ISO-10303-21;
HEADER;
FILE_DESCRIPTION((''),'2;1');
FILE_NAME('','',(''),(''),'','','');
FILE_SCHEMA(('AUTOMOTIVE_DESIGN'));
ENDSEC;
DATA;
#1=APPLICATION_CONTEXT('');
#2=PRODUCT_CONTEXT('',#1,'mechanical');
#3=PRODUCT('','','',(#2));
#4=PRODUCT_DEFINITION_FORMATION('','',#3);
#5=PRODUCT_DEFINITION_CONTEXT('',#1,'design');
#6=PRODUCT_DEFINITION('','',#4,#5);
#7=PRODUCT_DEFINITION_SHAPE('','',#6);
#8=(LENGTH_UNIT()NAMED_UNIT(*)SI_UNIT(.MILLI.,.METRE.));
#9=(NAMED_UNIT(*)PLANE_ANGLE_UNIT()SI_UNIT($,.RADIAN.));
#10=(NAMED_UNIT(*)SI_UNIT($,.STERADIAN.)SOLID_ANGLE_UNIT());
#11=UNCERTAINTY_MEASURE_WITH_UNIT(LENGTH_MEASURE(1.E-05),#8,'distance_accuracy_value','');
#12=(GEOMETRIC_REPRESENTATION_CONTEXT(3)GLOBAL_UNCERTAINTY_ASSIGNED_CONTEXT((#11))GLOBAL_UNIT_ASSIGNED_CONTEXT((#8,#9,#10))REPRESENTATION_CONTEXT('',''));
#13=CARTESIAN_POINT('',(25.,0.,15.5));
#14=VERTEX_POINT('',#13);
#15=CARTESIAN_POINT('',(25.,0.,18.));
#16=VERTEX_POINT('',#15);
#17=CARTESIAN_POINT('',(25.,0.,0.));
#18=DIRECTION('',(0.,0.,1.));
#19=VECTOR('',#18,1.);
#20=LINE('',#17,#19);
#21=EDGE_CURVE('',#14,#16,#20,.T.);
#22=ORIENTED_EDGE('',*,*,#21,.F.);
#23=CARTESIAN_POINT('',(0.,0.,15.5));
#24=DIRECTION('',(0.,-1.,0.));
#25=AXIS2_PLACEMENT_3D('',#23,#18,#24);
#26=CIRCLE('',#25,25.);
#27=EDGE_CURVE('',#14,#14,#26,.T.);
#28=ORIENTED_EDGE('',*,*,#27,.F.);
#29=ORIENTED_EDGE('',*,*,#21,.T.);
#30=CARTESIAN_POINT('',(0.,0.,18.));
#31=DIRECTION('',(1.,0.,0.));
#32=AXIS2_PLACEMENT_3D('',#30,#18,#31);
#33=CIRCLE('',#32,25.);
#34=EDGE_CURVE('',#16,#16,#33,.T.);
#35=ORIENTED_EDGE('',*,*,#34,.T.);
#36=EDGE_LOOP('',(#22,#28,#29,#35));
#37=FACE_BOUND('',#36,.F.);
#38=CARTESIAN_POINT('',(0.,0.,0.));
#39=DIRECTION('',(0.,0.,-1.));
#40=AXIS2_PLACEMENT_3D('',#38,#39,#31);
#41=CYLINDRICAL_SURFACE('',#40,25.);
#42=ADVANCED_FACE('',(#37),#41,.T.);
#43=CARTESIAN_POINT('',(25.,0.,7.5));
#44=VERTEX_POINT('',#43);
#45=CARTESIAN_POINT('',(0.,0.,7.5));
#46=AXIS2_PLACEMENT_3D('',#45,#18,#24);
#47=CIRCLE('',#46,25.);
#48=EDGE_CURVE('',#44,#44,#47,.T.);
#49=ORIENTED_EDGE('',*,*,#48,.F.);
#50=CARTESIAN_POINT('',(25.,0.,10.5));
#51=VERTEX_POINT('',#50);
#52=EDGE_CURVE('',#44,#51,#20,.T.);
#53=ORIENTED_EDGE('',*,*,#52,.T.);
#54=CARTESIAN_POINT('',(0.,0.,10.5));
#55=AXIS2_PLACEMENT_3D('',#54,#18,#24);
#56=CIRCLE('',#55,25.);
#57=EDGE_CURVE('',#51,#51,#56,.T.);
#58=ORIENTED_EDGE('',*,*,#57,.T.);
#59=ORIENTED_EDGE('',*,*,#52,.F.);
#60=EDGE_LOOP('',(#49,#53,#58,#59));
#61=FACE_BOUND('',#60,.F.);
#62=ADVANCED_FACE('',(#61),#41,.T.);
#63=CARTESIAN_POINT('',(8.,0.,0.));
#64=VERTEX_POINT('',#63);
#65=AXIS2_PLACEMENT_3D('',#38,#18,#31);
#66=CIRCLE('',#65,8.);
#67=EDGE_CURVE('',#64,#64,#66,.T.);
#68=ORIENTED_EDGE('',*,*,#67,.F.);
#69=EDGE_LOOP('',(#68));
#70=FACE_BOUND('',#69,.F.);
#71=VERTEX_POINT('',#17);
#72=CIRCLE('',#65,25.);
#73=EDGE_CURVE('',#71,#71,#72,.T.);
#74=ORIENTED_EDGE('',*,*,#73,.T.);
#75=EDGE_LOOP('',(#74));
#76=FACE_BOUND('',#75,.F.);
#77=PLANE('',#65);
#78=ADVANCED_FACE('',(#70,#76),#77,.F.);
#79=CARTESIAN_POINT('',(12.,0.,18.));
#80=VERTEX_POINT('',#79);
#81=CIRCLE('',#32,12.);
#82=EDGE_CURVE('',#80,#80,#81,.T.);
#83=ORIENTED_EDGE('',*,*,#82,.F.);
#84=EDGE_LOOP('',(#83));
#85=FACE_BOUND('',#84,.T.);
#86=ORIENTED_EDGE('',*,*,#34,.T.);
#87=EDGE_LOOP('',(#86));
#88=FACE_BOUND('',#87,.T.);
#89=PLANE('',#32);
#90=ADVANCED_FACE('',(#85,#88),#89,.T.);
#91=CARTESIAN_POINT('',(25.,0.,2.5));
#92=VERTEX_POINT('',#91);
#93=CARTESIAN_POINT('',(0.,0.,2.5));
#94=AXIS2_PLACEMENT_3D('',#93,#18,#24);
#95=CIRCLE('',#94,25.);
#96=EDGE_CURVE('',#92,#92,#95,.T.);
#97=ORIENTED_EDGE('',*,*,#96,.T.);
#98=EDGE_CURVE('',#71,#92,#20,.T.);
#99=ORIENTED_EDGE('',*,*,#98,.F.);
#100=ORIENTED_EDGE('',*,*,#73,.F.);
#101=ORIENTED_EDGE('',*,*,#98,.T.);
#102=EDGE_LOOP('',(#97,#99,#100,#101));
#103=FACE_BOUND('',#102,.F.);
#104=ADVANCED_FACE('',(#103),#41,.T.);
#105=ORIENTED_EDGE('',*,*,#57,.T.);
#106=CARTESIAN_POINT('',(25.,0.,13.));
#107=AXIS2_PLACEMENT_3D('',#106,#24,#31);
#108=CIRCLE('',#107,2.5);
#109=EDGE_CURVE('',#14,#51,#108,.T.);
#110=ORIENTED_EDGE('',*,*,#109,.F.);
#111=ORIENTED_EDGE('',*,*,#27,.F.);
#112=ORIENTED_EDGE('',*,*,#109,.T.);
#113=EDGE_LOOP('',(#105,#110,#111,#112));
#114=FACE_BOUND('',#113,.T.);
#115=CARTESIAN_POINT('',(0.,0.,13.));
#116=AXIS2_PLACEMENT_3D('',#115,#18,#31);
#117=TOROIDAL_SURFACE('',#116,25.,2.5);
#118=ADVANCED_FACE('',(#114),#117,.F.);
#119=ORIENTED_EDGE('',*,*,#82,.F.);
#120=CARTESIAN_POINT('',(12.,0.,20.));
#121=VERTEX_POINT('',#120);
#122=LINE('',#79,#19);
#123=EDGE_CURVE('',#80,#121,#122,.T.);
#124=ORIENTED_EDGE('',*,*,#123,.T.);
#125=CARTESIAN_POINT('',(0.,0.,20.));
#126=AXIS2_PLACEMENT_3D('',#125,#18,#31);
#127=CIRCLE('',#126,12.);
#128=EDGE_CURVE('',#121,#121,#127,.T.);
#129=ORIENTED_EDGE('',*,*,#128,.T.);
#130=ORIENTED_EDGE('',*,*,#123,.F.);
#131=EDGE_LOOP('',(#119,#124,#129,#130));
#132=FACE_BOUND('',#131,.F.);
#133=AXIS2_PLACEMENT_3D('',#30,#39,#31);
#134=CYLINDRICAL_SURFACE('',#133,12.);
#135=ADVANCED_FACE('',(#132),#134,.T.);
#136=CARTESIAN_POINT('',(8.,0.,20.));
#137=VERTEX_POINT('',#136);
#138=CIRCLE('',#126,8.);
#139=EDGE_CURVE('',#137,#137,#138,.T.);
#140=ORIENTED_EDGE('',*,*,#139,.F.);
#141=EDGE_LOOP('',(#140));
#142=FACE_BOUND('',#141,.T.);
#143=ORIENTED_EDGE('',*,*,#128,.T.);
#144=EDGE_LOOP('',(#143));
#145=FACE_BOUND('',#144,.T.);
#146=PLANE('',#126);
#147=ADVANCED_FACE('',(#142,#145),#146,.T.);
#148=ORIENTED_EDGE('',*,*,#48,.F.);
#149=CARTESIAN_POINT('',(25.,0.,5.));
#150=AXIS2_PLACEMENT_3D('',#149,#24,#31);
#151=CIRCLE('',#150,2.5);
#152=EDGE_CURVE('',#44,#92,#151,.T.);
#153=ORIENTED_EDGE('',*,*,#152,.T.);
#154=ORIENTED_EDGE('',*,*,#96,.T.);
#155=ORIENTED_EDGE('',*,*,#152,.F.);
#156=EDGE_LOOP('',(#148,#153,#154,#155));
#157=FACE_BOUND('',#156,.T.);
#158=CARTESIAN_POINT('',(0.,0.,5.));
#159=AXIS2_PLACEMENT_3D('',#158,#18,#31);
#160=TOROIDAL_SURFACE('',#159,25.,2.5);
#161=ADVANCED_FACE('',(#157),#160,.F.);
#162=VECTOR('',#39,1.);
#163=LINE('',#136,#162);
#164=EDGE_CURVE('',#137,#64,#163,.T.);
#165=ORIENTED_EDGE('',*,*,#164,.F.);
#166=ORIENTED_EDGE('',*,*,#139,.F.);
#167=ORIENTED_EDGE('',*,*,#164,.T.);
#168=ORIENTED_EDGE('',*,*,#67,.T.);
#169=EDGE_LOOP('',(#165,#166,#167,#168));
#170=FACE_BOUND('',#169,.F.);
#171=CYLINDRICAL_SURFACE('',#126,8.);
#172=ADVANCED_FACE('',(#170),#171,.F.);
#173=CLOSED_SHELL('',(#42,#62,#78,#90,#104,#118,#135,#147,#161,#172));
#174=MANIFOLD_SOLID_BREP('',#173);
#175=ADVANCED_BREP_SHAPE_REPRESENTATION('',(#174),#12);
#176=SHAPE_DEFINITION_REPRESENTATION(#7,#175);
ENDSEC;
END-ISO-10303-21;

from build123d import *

# Parameters (mm, degrees)
F0_R     = 25
F1_DEPTH = 18
F2_R     = 12
F3_DEPTH = 2
F4_R     = 8
F5_DEPTH = 25
F6_R     = 2.5


with BuildPart() as f1:
    # F0 (on Top) → F1 (new body)
    with BuildSketch(Plane.XY):
        Circle(F0_R)
    extrude(amount=F1_DEPTH)

    # F2 (on face) → F3 (join)
    with BuildSketch(Plane.XY.offset(18)):
        Circle(F2_R)
    extrude(amount=F3_DEPTH)

    # F4 (on face) → F5 (cut)
    with BuildSketch(Plane.XY.offset(20)):
        Circle(F4_R)
    extrude(amount=-F5_DEPTH, mode=Mode.SUBTRACT)

    # F6 (on Front) → F8 (revolve, cut)
    with BuildSketch(Plane.XZ):
        with Locations((25, 13)):
            Circle(F6_R)
        with Locations((25, 5)):
            Circle(F6_R)
    revolve(axis=Axis((0, 0, 7.756283), (0, 0, -1)), mode=Mode.SUBTRACT)


solid = f1.part
